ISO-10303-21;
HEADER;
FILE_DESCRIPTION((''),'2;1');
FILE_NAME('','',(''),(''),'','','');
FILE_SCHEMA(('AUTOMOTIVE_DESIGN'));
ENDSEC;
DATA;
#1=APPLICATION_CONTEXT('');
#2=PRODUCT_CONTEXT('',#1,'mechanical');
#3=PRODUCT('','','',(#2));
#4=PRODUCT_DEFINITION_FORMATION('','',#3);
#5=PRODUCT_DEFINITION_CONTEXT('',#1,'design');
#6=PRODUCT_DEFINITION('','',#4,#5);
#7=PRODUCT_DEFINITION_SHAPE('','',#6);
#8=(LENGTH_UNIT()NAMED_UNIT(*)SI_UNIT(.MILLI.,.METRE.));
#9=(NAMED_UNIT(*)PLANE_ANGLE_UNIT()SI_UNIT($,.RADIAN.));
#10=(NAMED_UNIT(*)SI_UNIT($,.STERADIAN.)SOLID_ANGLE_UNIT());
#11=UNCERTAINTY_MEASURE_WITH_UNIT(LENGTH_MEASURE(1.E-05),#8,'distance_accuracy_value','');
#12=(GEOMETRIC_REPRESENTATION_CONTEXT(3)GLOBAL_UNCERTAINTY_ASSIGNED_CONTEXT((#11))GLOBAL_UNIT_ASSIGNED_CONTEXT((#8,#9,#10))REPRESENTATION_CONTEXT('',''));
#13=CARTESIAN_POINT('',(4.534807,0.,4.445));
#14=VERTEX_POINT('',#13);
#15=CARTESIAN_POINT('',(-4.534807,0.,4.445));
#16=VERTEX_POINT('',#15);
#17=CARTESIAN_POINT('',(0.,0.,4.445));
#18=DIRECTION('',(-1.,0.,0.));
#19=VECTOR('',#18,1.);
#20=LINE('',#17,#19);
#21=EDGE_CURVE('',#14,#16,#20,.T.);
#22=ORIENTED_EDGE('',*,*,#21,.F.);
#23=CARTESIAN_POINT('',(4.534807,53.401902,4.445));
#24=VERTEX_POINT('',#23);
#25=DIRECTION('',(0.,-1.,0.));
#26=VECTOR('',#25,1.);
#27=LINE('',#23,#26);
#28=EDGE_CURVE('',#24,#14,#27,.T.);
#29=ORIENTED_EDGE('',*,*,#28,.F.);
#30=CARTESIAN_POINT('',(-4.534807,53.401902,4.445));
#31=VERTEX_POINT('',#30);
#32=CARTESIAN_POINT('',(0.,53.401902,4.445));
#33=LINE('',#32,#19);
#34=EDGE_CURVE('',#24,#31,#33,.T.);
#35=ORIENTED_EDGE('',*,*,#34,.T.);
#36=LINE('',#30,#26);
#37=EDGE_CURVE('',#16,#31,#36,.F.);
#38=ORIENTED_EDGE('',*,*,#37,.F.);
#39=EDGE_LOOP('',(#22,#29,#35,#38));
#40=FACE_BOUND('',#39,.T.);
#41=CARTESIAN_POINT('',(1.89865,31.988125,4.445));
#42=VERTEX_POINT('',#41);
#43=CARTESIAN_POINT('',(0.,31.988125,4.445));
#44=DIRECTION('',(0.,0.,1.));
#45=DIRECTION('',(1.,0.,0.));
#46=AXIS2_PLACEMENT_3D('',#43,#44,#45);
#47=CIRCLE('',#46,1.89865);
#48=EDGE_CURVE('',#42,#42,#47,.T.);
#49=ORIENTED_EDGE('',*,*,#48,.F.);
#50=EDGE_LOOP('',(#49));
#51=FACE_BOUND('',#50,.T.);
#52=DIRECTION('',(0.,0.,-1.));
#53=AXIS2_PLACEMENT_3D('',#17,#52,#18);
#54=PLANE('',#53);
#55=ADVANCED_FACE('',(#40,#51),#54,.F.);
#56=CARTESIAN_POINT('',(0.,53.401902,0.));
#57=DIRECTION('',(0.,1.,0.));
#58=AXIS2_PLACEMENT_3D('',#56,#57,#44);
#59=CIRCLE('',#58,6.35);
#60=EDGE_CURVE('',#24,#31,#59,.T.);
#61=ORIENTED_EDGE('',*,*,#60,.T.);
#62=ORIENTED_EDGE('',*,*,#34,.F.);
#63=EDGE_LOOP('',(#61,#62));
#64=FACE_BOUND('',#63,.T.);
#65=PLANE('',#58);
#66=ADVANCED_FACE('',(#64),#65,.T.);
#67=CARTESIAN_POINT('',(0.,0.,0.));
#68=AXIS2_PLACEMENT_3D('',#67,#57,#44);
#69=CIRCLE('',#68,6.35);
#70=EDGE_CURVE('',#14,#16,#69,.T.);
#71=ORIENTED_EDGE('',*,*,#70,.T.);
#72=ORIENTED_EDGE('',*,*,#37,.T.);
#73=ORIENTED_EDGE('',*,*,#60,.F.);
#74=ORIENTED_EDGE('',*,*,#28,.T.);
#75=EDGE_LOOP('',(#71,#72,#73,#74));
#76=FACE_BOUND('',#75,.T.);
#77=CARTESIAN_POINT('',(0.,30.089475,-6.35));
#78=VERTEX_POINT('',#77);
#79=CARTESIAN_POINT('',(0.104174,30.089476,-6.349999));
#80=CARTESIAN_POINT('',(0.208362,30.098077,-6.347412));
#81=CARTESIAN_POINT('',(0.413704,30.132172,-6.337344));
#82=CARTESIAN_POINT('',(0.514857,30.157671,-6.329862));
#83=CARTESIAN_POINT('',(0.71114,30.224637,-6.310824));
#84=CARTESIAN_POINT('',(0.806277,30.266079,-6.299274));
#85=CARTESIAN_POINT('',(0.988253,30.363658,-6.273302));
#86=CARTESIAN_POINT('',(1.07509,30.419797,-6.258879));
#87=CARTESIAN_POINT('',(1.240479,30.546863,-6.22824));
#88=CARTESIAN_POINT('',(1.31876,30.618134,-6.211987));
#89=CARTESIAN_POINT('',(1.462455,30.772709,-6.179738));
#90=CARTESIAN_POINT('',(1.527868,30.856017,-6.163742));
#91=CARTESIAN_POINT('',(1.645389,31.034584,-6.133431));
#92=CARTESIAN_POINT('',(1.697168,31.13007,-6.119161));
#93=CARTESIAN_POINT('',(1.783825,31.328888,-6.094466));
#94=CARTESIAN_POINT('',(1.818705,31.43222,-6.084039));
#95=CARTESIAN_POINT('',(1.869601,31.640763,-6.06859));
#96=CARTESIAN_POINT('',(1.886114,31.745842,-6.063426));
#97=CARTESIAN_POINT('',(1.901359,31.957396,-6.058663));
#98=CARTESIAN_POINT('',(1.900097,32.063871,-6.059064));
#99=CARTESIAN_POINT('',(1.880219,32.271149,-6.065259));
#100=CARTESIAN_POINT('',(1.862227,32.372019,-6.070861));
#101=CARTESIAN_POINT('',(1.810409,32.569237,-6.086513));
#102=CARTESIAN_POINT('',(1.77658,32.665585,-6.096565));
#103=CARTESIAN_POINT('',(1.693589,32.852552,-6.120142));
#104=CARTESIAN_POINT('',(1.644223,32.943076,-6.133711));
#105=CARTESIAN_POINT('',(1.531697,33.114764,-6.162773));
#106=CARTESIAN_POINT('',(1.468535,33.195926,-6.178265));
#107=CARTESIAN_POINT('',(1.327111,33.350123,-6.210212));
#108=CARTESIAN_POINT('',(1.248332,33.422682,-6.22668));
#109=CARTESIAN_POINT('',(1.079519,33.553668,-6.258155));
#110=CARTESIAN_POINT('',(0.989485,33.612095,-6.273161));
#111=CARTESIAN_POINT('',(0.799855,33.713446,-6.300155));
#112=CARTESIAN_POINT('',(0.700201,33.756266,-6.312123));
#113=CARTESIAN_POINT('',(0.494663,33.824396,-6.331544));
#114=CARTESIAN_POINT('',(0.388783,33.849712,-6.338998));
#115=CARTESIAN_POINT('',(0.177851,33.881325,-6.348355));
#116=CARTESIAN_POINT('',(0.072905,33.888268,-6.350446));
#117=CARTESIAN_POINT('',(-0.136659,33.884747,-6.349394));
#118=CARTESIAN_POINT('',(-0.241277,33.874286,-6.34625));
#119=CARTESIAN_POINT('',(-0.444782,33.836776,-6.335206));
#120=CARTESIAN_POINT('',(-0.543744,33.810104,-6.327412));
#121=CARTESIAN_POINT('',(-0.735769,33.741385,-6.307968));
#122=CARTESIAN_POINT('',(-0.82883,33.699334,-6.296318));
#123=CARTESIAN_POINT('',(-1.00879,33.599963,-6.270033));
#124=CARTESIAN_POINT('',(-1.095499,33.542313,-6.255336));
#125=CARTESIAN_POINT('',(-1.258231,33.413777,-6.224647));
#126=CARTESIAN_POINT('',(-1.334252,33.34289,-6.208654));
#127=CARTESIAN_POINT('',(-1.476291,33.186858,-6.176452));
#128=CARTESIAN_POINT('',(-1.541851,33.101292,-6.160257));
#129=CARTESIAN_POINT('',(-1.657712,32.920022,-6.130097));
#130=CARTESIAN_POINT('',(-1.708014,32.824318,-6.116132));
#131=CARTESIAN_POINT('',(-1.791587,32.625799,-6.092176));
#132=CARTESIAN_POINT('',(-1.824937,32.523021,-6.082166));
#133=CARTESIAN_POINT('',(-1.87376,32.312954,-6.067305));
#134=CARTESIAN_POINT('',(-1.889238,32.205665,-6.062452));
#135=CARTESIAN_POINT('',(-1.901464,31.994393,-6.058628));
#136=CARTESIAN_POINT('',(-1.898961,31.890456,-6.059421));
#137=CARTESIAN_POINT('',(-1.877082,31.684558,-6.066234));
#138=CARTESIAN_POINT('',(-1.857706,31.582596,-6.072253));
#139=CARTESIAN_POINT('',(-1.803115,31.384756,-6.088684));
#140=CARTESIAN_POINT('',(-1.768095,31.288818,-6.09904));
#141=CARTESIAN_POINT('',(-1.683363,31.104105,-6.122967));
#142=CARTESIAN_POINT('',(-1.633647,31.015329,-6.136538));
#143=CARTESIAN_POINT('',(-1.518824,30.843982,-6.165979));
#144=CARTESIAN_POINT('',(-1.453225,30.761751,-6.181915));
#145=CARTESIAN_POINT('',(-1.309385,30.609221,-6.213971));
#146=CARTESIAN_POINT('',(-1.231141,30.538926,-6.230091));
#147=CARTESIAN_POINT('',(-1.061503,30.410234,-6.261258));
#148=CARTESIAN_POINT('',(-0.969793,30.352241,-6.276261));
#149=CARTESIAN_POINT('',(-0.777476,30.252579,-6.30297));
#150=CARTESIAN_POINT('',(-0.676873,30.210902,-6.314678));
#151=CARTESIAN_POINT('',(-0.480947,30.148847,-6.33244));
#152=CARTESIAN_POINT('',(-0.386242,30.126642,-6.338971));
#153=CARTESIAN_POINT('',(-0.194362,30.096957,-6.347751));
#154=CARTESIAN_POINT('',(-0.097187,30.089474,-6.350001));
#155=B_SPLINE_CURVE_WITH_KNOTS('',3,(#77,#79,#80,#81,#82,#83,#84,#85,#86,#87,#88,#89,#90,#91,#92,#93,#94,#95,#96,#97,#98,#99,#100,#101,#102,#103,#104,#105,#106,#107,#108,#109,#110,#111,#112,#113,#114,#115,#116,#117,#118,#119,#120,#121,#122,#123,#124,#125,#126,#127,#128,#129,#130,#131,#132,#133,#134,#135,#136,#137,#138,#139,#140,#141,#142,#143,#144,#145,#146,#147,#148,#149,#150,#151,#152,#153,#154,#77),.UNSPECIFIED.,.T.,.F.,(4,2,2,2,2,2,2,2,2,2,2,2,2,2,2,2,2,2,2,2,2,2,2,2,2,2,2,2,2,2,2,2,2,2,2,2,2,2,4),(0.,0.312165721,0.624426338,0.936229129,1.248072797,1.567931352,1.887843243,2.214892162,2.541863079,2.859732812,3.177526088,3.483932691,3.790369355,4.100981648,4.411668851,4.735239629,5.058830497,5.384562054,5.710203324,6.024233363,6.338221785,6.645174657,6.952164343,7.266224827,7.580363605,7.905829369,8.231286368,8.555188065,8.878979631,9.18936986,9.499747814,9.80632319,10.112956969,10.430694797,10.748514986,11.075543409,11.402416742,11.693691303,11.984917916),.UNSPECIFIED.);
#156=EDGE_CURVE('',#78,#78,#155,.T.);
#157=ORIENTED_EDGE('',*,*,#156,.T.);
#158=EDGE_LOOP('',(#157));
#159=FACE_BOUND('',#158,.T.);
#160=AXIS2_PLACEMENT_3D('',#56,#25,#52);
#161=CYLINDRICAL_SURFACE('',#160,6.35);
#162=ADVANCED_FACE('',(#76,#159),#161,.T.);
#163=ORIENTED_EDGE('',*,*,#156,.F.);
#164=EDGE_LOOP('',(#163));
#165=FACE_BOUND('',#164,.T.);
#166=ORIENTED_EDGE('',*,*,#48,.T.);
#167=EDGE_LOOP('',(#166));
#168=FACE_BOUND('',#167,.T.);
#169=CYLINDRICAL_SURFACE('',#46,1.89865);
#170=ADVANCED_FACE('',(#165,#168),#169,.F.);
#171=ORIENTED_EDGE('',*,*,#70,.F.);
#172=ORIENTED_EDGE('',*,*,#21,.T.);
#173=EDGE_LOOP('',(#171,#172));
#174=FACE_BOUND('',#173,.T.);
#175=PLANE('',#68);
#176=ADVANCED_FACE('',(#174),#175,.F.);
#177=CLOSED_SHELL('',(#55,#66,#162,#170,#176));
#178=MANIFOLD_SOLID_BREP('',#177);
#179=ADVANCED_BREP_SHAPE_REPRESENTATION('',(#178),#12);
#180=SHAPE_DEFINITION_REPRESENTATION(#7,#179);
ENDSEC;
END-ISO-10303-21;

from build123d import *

# Parameters (mm, degrees)
SKETCH1_R              = 6.35
BOSS_EXTRUDE1_DEPTH    = 53.401902472
CUT_EXTRUDE1_DEPTH     = 55.15171454
F_10_24_TAPPED_HOLE1_D = 3.7973


with BuildPart() as part:
    # Sketch1 → Boss-Extrude1 (new body)
    with BuildSketch(Plane(origin=(0, 0, 0), x_dir=(1, 0, 0), z_dir=(0, 1, 0))):
        with Locations(Location((0, 0, 0), (0, 0, 90))):
            Circle(SKETCH1_R)
    extrude(amount=BOSS_EXTRUDE1_DEPTH)

    # Sketch2 → Cut-Extrude1 (cut, through all)
    with BuildSketch(Plane(origin=(0, 53.401902472, 0), x_dir=(1, 0, 0), z_dir=(0, 1, 0))):
        Polygon((0, -4.445), (-5.65519603, -4.445), (-5.65519603, -6.850474894), (5.907942222, -6.850474894), (5.907942222, -4.445), align=None)
    extrude(amount=-CUT_EXTRUDE1_DEPTH, mode=Mode.SUBTRACT)

    # #10-24 Tapped Hole1 (through all)
    with Locations(Plane.XY.offset(4.445)):
        with Locations((0, 31.988125)):
            Hole(F_10_24_TAPPED_HOLE1_D / 2)


solid = part.part
